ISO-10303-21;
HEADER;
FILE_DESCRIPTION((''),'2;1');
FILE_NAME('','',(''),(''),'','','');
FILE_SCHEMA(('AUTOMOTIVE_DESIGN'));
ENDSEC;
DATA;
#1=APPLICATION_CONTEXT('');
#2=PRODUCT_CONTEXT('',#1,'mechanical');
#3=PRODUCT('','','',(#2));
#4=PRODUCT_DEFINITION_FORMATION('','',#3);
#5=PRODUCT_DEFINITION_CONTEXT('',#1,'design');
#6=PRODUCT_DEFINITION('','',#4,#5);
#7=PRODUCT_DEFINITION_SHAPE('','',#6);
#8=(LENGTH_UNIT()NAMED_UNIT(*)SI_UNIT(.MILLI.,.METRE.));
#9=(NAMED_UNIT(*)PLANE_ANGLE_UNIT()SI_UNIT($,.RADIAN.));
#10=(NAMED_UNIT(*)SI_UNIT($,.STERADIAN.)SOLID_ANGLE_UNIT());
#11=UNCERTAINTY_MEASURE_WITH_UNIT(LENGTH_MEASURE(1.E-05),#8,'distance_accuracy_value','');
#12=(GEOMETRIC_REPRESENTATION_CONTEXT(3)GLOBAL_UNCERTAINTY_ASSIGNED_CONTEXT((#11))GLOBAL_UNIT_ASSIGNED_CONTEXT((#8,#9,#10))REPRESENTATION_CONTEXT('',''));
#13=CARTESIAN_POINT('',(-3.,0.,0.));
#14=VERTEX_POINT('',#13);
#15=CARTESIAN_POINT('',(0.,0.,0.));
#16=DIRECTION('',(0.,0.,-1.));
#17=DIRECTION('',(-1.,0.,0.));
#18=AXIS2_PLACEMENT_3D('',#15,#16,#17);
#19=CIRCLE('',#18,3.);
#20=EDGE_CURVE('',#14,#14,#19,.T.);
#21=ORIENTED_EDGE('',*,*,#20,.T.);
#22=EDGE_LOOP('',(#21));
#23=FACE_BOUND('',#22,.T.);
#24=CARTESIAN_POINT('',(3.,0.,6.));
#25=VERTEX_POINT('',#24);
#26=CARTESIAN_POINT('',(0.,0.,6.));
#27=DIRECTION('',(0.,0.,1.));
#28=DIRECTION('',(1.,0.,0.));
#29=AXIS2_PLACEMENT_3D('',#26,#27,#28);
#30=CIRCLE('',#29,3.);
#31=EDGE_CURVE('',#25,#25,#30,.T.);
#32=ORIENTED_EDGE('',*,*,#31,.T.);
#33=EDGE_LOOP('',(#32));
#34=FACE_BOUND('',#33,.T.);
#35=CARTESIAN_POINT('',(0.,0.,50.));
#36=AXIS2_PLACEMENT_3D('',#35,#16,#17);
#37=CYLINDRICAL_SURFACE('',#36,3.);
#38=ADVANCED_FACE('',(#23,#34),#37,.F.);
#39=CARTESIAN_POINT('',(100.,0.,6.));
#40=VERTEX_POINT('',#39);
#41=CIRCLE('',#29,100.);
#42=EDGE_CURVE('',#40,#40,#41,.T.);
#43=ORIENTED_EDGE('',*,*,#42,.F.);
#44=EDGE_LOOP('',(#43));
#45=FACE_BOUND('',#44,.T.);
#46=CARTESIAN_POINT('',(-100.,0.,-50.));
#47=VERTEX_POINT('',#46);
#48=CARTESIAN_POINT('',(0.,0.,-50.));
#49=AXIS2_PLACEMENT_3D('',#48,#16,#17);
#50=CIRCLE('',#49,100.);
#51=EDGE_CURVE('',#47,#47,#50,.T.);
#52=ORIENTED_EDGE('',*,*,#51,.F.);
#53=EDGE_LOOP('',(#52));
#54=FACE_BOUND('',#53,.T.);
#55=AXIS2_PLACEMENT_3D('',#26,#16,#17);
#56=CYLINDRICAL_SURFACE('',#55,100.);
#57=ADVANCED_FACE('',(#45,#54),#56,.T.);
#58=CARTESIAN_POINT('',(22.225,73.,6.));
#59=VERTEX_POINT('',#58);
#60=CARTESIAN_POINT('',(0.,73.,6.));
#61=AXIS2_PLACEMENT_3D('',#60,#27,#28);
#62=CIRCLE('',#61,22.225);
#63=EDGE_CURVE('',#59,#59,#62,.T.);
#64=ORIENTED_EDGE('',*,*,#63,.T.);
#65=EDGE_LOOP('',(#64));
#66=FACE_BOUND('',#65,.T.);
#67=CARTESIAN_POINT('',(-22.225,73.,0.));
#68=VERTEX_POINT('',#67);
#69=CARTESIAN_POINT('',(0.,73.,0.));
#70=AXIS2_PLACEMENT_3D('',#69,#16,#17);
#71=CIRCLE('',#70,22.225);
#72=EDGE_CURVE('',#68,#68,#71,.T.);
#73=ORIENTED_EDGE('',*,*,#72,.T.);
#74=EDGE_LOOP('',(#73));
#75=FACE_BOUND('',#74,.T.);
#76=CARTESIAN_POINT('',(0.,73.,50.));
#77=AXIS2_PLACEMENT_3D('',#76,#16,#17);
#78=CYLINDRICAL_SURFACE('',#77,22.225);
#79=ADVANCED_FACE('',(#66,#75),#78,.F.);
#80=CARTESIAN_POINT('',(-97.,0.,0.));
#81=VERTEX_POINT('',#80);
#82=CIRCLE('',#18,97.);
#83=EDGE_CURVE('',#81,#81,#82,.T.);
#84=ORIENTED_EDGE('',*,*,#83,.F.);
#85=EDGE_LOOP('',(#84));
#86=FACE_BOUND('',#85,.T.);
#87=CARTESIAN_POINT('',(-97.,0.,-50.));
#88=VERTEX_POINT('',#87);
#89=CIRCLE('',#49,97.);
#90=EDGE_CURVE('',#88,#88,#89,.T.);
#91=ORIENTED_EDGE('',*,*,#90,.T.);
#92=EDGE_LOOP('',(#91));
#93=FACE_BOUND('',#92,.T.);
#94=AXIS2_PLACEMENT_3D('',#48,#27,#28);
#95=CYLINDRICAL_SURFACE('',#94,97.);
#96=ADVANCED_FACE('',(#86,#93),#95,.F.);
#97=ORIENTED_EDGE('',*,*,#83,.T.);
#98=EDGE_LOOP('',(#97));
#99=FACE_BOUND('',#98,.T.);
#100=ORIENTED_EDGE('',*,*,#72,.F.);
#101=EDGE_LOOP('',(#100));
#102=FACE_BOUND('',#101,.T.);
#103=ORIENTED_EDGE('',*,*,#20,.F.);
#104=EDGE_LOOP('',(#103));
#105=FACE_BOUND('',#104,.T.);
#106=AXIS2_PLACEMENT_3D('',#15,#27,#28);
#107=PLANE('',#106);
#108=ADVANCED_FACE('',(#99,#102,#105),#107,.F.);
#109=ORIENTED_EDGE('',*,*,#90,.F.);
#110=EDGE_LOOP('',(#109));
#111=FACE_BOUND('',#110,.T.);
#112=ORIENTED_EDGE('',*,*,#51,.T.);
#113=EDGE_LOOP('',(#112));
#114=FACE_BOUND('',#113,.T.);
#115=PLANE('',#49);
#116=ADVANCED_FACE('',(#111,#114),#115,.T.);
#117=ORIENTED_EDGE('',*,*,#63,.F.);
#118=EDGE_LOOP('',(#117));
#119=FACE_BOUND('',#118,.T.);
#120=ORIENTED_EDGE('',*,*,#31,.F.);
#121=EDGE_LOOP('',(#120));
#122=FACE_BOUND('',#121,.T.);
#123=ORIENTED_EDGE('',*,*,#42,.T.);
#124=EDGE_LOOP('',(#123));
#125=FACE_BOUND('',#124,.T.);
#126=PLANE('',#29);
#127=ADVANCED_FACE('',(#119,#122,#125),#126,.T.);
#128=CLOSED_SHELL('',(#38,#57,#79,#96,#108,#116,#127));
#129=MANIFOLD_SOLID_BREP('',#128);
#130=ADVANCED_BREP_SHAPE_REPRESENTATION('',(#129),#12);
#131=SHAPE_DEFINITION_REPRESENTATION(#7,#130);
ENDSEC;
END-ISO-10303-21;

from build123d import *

# Parameters (mm, degrees)
SKETCH1_R           = 100
BOSS_EXTRUDE1_DEPTH = 6
BOSS_EXTRUDE2_START = 50
SKETCH2_R           = 100
SKETCH2_R_2         = 97
BOSS_EXTRUDE2_DEPTH = 50
SKETCH4_R           = 22.225
CUT_EXTRUDE2_DEPTH  = 50
SKETCH5_R           = 3
CUT_EXTRUDE3_DEPTH  = 50


with BuildPart() as part:
    # Sketch1 → Boss-Extrude1 (new body)
    with BuildSketch(Plane.XY):
        Circle(SKETCH1_R)
    extrude(amount=BOSS_EXTRUDE1_DEPTH)

    # Sketch2 → Boss-Extrude2 (add)
    with BuildSketch(Plane(origin=(0, 0, 0), x_dir=(-1, 0, 0), z_dir=(0, 0, -1)).offset(BOSS_EXTRUDE2_START)):
        Circle(SKETCH2_R)
        Circle(SKETCH2_R_2, mode=Mode.SUBTRACT)
    extrude(amount=-BOSS_EXTRUDE2_DEPTH)

    # Sketch4 → Cut-Extrude2 (cut)
    with BuildSketch(Plane(origin=(0, 0, 0), x_dir=(-1, 0, 0), z_dir=(0, 0, -1))):
        with Locations((0, 73)):
            Circle(SKETCH4_R)
    extrude(amount=-CUT_EXTRUDE2_DEPTH, mode=Mode.SUBTRACT)

    # Sketch5 → Cut-Extrude3 (cut)
    with BuildSketch(Plane(origin=(0, 0, 0), x_dir=(-1, 0, 0), z_dir=(0, 0, -1))):
        Circle(SKETCH5_R)
    extrude(amount=-CUT_EXTRUDE3_DEPTH, mode=Mode.SUBTRACT)


solid = part.part
